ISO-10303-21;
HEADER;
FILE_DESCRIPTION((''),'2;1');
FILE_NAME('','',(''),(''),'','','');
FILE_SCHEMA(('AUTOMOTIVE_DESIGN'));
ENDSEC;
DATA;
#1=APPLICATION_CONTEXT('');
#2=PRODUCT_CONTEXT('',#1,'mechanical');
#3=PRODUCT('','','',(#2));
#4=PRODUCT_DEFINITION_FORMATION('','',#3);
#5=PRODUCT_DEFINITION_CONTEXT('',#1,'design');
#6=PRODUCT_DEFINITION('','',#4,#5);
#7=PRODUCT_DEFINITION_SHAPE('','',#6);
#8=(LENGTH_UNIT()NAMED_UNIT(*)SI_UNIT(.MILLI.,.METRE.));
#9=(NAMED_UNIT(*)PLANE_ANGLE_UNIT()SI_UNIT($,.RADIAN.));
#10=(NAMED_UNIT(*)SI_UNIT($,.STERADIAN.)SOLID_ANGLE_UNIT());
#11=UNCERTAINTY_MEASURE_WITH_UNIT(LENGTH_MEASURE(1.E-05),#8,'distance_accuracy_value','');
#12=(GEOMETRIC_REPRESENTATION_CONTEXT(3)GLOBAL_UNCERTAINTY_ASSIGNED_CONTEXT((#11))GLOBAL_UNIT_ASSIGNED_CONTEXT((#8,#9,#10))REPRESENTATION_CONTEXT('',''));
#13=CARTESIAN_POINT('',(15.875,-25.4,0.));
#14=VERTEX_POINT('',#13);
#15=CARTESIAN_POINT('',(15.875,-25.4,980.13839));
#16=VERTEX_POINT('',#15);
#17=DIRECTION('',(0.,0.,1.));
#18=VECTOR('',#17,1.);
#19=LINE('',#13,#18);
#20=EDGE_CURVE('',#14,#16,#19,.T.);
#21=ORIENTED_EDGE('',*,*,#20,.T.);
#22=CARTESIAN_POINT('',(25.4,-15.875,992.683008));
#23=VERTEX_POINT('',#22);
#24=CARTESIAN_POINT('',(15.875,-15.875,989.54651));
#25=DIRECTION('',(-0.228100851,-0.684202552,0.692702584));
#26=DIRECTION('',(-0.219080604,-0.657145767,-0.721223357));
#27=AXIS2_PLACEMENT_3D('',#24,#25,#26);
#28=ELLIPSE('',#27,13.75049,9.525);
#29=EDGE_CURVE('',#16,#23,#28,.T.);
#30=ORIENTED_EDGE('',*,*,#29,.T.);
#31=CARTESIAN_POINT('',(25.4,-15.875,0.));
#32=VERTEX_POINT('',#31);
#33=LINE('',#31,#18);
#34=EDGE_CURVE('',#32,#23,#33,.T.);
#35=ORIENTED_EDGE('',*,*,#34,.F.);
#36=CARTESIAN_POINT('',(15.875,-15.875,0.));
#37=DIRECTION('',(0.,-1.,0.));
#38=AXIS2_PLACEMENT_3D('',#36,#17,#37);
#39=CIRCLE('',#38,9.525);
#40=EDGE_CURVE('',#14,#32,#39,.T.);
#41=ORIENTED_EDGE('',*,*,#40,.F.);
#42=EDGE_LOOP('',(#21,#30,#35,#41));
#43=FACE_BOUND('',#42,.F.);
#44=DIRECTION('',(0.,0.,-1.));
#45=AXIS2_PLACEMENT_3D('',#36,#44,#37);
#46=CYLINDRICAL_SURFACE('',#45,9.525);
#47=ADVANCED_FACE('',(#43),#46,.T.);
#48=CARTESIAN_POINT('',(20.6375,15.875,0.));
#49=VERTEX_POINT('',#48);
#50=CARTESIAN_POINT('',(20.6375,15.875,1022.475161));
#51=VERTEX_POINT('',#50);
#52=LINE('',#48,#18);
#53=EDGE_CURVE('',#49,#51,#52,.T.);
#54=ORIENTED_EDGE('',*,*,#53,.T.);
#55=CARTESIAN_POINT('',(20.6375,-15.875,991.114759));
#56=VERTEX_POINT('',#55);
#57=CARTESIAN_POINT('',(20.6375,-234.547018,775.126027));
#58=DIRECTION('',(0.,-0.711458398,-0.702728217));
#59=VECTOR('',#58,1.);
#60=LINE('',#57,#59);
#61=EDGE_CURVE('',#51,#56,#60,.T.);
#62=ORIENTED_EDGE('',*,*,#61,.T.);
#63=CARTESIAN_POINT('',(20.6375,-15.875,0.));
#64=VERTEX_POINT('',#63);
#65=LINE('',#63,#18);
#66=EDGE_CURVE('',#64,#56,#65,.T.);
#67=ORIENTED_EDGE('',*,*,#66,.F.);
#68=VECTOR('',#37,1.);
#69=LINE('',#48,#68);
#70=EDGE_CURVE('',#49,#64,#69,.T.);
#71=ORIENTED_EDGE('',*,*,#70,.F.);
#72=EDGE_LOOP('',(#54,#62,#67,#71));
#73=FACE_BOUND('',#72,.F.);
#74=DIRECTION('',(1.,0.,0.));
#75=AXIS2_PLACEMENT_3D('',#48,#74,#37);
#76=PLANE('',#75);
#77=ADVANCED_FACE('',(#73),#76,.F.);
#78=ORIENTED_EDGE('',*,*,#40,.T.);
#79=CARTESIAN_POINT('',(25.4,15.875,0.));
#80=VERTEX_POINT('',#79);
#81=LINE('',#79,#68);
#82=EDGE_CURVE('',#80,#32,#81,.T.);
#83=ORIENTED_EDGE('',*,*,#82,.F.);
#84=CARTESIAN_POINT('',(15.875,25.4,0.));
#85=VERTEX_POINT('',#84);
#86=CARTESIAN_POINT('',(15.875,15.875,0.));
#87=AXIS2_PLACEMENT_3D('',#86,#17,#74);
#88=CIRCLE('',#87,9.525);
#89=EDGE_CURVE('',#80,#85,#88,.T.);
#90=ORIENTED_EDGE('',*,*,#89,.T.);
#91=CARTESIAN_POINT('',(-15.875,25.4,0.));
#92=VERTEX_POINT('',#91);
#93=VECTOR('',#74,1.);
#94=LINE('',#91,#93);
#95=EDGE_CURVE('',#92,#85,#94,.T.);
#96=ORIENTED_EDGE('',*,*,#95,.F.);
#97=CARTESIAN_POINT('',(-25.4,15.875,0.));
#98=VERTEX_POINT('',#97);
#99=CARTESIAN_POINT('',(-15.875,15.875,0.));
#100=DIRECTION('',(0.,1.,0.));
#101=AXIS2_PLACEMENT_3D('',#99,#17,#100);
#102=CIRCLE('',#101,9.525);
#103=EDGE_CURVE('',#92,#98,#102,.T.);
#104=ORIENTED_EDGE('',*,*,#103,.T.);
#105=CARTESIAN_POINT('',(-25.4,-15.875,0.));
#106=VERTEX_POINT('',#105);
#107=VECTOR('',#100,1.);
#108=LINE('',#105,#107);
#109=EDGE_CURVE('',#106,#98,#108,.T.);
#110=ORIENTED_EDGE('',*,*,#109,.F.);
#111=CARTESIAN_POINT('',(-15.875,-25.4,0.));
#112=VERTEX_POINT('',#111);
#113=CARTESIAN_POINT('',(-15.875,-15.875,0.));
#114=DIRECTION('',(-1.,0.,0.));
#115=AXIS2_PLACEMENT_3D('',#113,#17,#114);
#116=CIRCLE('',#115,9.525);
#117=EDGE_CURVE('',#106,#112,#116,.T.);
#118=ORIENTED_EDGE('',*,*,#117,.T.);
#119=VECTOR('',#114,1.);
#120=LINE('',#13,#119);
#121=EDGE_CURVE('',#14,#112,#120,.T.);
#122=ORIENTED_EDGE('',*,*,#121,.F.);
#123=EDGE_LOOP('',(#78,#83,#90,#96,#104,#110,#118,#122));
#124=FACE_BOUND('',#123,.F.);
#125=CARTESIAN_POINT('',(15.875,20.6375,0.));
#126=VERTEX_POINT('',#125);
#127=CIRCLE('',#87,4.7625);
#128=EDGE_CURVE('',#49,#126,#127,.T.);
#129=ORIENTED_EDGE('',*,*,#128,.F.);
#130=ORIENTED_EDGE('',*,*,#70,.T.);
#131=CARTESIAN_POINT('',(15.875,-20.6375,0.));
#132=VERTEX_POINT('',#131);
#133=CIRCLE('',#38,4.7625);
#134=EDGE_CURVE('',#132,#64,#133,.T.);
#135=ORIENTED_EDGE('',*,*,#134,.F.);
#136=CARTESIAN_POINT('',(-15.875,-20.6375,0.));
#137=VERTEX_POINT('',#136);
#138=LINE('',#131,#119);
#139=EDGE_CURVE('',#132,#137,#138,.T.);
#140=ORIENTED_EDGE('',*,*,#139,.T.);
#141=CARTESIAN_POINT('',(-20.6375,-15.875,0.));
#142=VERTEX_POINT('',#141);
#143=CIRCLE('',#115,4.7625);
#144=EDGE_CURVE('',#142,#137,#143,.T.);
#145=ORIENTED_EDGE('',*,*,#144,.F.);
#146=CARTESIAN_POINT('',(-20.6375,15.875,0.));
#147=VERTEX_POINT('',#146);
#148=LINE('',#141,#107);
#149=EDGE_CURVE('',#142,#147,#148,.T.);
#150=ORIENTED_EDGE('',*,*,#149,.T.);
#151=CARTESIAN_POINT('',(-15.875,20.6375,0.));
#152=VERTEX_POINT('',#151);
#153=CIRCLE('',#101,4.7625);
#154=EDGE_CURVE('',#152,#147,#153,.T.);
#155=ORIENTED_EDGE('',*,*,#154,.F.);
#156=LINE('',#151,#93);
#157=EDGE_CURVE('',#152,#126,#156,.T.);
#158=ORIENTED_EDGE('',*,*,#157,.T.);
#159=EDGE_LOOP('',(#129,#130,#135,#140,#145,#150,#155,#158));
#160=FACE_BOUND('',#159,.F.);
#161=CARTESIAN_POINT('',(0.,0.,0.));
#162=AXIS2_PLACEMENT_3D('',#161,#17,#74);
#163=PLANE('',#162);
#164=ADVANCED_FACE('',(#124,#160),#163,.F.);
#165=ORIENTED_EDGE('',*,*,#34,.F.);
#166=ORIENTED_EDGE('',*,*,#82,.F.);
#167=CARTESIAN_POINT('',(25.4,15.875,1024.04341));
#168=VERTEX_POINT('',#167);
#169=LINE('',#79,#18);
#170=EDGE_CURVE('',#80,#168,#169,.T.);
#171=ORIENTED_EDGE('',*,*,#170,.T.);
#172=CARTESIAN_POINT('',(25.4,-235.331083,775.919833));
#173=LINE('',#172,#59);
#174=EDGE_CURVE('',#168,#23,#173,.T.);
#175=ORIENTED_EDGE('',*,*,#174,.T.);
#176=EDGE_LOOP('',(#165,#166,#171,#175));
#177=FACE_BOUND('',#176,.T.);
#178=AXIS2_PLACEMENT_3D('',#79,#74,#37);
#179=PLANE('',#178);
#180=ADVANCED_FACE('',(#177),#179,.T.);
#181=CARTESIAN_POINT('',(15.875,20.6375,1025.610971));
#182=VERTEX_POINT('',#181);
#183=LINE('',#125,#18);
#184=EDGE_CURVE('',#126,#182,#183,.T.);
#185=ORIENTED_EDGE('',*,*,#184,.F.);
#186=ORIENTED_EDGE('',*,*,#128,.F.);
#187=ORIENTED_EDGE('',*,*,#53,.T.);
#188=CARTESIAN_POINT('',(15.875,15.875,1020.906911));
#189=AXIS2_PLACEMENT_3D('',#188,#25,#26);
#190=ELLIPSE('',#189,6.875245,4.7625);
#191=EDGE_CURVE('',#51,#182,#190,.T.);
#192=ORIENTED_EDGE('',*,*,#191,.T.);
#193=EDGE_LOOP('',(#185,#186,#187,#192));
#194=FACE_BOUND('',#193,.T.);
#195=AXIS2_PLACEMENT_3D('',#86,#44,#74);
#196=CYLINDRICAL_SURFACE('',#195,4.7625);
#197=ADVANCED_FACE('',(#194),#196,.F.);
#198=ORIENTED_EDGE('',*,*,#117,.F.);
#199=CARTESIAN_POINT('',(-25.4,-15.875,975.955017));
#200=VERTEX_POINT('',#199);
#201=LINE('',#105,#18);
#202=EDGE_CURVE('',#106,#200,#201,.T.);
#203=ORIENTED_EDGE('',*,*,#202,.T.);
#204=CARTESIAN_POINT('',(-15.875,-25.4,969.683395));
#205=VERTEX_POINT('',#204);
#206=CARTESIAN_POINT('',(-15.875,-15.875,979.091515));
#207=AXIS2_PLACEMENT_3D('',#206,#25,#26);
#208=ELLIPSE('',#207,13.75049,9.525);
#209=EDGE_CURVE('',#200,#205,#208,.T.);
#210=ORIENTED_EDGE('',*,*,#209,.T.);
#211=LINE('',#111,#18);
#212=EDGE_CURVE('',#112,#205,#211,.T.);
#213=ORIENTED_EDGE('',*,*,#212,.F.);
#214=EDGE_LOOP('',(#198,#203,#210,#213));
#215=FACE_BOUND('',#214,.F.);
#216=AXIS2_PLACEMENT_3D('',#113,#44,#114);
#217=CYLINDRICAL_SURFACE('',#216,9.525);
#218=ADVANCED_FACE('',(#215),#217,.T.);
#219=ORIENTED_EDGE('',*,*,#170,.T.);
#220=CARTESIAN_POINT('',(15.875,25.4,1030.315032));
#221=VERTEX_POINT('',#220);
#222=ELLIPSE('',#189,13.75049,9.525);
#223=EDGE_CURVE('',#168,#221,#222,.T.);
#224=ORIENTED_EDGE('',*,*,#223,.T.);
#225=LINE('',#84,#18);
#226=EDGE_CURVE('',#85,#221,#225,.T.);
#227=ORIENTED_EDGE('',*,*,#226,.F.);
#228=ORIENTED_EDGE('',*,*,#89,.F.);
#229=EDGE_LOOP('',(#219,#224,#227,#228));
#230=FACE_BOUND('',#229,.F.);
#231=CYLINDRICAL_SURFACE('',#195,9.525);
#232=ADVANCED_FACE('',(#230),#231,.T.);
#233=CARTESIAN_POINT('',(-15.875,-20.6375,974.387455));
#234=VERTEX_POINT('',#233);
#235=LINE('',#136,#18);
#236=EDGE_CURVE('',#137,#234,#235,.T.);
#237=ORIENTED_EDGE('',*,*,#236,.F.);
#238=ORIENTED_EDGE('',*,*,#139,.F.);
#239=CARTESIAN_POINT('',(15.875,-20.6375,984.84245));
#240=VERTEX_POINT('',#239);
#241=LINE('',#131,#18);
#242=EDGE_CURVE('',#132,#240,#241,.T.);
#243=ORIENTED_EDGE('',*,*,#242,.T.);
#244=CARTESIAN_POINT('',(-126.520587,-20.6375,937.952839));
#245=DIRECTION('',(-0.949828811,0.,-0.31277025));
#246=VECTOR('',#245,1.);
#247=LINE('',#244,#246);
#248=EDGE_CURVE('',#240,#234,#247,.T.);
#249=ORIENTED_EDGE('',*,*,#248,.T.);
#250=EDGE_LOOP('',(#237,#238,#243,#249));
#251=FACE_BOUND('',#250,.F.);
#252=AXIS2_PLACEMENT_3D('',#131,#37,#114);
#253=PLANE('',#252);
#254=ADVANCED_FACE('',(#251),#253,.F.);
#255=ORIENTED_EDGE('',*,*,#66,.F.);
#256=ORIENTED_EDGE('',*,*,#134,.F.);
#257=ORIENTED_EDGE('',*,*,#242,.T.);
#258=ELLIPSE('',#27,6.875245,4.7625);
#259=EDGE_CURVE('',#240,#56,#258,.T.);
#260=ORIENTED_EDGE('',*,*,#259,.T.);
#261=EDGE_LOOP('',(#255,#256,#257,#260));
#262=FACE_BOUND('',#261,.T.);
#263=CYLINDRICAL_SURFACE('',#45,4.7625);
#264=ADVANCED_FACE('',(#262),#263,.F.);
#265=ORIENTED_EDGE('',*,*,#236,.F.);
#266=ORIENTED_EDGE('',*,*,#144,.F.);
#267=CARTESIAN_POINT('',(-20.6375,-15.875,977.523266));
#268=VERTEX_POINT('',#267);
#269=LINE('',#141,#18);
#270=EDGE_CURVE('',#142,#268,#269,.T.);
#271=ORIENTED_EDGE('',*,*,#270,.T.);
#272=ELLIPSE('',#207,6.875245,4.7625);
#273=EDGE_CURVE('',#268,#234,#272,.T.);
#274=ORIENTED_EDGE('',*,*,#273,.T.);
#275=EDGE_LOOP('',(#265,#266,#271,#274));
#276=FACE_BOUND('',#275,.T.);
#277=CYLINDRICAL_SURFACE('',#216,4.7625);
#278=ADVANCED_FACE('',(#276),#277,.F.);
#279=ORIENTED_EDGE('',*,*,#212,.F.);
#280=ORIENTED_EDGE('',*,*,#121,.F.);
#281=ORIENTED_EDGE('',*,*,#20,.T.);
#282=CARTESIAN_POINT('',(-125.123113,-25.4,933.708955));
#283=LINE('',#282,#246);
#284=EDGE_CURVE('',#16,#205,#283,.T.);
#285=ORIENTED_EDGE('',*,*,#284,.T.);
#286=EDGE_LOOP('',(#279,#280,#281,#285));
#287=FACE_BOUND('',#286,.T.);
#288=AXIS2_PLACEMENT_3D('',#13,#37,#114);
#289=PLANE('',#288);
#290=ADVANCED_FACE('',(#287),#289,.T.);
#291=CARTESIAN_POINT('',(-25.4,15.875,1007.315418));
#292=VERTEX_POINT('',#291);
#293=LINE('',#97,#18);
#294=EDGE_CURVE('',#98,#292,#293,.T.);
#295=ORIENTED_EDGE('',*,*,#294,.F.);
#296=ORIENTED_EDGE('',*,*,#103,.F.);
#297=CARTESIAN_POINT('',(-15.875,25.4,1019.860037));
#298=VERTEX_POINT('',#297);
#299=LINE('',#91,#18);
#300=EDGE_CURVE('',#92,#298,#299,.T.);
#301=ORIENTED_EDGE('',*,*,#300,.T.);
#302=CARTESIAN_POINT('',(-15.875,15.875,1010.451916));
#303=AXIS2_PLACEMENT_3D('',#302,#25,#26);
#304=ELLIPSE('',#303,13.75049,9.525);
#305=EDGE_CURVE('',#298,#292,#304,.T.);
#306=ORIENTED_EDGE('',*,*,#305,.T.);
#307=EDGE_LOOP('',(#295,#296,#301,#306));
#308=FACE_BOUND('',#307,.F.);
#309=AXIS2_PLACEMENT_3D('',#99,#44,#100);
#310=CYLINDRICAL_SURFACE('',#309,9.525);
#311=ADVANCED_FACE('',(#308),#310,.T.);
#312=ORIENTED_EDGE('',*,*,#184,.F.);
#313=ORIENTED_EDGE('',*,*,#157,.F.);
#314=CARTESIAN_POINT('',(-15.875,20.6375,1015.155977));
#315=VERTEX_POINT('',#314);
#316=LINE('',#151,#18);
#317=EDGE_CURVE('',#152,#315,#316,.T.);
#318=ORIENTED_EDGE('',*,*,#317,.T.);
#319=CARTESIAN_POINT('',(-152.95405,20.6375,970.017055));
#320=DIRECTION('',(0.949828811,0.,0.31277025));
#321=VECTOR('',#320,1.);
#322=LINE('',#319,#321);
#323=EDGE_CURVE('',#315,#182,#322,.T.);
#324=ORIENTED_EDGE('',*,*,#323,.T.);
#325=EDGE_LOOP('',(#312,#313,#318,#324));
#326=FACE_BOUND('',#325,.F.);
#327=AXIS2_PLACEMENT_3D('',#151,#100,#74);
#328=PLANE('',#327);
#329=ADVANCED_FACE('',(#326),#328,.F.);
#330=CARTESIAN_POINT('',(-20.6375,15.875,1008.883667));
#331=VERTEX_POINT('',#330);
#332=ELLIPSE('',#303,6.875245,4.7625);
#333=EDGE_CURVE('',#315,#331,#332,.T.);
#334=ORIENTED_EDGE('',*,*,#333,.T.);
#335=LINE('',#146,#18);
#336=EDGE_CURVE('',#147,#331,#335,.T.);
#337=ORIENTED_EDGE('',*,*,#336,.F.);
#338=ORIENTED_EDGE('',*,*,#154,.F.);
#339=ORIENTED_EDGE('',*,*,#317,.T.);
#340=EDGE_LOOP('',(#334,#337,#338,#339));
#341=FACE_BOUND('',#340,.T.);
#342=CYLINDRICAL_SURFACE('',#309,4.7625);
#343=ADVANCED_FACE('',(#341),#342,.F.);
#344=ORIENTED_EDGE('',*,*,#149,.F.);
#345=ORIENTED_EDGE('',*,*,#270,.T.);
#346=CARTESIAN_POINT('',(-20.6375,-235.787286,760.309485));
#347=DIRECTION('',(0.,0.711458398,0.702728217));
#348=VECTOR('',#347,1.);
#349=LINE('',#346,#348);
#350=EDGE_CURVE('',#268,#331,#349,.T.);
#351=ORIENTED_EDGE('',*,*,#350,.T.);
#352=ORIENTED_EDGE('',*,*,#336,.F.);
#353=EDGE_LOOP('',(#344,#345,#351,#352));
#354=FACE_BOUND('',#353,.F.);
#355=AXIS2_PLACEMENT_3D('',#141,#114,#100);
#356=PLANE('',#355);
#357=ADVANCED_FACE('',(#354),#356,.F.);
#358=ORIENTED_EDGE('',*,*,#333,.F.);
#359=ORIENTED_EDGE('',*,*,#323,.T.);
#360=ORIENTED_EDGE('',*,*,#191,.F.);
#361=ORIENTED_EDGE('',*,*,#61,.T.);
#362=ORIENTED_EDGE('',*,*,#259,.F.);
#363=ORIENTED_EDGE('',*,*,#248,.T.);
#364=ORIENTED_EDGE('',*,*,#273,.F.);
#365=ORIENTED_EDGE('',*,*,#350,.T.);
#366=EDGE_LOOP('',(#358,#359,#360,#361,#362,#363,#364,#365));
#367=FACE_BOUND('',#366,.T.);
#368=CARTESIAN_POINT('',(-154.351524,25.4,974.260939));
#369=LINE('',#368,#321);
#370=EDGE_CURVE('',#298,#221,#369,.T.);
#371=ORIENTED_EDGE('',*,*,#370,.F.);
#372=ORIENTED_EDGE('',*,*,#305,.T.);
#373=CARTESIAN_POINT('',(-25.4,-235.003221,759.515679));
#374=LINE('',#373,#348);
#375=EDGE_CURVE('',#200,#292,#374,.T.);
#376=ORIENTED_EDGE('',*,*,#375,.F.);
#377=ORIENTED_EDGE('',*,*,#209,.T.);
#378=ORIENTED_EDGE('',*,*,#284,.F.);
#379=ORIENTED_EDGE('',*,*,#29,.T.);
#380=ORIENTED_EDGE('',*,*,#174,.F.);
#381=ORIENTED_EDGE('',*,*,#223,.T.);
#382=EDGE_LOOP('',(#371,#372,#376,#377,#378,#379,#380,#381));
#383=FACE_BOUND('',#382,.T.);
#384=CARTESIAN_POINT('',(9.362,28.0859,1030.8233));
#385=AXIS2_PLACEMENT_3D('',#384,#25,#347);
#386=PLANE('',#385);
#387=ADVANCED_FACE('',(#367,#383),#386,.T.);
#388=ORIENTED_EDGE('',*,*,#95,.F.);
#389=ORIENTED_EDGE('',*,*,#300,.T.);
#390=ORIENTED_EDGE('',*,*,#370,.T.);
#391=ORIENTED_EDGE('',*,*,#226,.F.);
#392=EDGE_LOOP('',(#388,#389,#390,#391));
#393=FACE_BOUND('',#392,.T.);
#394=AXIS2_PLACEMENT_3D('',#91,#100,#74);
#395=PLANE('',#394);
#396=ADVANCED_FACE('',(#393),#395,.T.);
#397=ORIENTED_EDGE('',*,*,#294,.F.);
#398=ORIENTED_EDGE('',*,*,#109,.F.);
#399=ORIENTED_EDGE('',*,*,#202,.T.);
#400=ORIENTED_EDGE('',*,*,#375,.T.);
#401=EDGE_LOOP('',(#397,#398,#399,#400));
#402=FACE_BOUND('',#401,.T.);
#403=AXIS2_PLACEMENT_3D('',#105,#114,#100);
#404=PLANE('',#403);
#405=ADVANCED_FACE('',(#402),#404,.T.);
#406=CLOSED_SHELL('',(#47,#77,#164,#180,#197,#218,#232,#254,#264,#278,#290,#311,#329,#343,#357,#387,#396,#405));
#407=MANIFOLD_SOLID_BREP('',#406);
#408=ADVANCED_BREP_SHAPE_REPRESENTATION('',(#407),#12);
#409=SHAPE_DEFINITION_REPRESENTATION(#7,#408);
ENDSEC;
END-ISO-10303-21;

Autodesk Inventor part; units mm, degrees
ref_plane "Plano inicial" through (0, 0, 0) normal (0, 0, 1) x (1, 0, 0)
ref_plane "Plano final" through (0, 0, 1033.4507) normal (0, 0, 1) x (1, 0, 0)
sketch "Esboço" plane through (0, 0, 0) normal (0, 0, 1) x (1, 0, 0)
  line L0 (-25.4, -15.875) -> (-25.4, 15.875)
  line L1 (-15.875, 25.4) -> (15.875, 25.4)
  line L2 (25.4, 15.875) -> (25.4, -15.875)
  line L3 (15.875, -25.4) -> (-15.875, -25.4)
  arc A0 (-25.4, -15.875) -> (-15.875, -25.4) centre (-15.875, -15.875) ccw
  arc A1 (-15.875, 25.4) -> (-25.4, 15.875) centre (-15.875, 15.875) ccw
  arc A2 (25.4, 15.875) -> (15.875, 25.4) centre (15.875, 15.875) ccw
  arc A3 (15.875, -25.4) -> (25.4, -15.875) centre (15.875, -15.875) ccw
  arc A4 (-15.875, 20.6375) -> (-20.6375, 15.875) centre (-15.875, 15.875) ccw
  line L4 (-15.875, 20.6375) -> (15.875, 20.6375)
  arc A5 (20.6375, 15.875) -> (15.875, 20.6375) centre (15.875, 15.875) ccw
  line L5 (20.6375, 15.875) -> (20.6375, -15.875)
  arc A6 (15.875, -20.6375) -> (20.6375, -15.875) centre (15.875, -15.875) ccw
  line L6 (15.875, -20.6375) -> (-15.875, -20.6375)
  arc A7 (-20.6375, -15.875) -> (-15.875, -20.6375) centre (-15.875, -15.875) ccw
  line L7 (-20.6375, -15.875) -> (-20.6375, 15.875)
  line L8 (0, 38.3218) -> (0, -38.3218) construction
  line L9 (-38.3218, 0) -> (38.3218, 0) construction
  dimension "d10" = 50.8
  dimension "d11" = 50.8
  dimension "d12" = 4.7625
  dimension "d15" = 25.4
  dimension "d16" = 25.4
  dimension "d17" = 9.525
extrude "Corpo" add sketch "Esboço" along normal up to surface (1033.4507 mm away) from surface at 0
sketch "Sketch3" plane through (0, 0, 0) normal (0, 0, 1) x (1, 0, 0)
  line L0 (0, 0) -> (10, 0)
ref_plane "Work Plane3" through (0, 0, 0) normal (0, -1, 0) x (1, 0, 0)
sketch "Sketch4" plane through (0, 0, 0) normal (0, -1, 0) x (1, 0, 0)
  line L0 (-2, 0) -> (12, 0)
  line L1 (-2, 1033.4507) -> (12, 1033.4507)
  dimension "d19" = 1033.4507
ref_plane "Plano de trabalho4" through (9.362, 28.0859, 1030.8233) normal (-0.2281, -0.6842, 0.6927) x (0.9693, -0.0922, 0.2281)
split "Dividir1" plane through (9.362, 28.0859, 1030.8233) removes the side toward (-0.2281, -0.6842, 0.6927)
equation "\"d10\" = G_H"
equation "\"d11\" = G_W"
equation "\"d12\" = G_T"
equation "\"d15\" = 0.5 * d10"
equation "\"d16\" = 0.5 * d11"
equation "\"d17\" = G_IR"
equation "\"d3\" = G_L"
equation "\"G_W\" = 50.8"
equation "\"G_H\" = 50.8"
equation "\"G_T\" = 4.7625"
equation "\"G_IR\" = 9.525"
equation "\"G_L\" = 1030.79861"
equation "\"G_OFFSET_START\" = 0"
equation "\"G_OFFSET_END\" = 33.45066"
equation "\"d14\" = G_OFFSET_END + B_L"
equation "\"B_L\" = 1000"
properties part number "AISC - 2 x 2 x 3/16 - 40,583" material "Aço, suave"
